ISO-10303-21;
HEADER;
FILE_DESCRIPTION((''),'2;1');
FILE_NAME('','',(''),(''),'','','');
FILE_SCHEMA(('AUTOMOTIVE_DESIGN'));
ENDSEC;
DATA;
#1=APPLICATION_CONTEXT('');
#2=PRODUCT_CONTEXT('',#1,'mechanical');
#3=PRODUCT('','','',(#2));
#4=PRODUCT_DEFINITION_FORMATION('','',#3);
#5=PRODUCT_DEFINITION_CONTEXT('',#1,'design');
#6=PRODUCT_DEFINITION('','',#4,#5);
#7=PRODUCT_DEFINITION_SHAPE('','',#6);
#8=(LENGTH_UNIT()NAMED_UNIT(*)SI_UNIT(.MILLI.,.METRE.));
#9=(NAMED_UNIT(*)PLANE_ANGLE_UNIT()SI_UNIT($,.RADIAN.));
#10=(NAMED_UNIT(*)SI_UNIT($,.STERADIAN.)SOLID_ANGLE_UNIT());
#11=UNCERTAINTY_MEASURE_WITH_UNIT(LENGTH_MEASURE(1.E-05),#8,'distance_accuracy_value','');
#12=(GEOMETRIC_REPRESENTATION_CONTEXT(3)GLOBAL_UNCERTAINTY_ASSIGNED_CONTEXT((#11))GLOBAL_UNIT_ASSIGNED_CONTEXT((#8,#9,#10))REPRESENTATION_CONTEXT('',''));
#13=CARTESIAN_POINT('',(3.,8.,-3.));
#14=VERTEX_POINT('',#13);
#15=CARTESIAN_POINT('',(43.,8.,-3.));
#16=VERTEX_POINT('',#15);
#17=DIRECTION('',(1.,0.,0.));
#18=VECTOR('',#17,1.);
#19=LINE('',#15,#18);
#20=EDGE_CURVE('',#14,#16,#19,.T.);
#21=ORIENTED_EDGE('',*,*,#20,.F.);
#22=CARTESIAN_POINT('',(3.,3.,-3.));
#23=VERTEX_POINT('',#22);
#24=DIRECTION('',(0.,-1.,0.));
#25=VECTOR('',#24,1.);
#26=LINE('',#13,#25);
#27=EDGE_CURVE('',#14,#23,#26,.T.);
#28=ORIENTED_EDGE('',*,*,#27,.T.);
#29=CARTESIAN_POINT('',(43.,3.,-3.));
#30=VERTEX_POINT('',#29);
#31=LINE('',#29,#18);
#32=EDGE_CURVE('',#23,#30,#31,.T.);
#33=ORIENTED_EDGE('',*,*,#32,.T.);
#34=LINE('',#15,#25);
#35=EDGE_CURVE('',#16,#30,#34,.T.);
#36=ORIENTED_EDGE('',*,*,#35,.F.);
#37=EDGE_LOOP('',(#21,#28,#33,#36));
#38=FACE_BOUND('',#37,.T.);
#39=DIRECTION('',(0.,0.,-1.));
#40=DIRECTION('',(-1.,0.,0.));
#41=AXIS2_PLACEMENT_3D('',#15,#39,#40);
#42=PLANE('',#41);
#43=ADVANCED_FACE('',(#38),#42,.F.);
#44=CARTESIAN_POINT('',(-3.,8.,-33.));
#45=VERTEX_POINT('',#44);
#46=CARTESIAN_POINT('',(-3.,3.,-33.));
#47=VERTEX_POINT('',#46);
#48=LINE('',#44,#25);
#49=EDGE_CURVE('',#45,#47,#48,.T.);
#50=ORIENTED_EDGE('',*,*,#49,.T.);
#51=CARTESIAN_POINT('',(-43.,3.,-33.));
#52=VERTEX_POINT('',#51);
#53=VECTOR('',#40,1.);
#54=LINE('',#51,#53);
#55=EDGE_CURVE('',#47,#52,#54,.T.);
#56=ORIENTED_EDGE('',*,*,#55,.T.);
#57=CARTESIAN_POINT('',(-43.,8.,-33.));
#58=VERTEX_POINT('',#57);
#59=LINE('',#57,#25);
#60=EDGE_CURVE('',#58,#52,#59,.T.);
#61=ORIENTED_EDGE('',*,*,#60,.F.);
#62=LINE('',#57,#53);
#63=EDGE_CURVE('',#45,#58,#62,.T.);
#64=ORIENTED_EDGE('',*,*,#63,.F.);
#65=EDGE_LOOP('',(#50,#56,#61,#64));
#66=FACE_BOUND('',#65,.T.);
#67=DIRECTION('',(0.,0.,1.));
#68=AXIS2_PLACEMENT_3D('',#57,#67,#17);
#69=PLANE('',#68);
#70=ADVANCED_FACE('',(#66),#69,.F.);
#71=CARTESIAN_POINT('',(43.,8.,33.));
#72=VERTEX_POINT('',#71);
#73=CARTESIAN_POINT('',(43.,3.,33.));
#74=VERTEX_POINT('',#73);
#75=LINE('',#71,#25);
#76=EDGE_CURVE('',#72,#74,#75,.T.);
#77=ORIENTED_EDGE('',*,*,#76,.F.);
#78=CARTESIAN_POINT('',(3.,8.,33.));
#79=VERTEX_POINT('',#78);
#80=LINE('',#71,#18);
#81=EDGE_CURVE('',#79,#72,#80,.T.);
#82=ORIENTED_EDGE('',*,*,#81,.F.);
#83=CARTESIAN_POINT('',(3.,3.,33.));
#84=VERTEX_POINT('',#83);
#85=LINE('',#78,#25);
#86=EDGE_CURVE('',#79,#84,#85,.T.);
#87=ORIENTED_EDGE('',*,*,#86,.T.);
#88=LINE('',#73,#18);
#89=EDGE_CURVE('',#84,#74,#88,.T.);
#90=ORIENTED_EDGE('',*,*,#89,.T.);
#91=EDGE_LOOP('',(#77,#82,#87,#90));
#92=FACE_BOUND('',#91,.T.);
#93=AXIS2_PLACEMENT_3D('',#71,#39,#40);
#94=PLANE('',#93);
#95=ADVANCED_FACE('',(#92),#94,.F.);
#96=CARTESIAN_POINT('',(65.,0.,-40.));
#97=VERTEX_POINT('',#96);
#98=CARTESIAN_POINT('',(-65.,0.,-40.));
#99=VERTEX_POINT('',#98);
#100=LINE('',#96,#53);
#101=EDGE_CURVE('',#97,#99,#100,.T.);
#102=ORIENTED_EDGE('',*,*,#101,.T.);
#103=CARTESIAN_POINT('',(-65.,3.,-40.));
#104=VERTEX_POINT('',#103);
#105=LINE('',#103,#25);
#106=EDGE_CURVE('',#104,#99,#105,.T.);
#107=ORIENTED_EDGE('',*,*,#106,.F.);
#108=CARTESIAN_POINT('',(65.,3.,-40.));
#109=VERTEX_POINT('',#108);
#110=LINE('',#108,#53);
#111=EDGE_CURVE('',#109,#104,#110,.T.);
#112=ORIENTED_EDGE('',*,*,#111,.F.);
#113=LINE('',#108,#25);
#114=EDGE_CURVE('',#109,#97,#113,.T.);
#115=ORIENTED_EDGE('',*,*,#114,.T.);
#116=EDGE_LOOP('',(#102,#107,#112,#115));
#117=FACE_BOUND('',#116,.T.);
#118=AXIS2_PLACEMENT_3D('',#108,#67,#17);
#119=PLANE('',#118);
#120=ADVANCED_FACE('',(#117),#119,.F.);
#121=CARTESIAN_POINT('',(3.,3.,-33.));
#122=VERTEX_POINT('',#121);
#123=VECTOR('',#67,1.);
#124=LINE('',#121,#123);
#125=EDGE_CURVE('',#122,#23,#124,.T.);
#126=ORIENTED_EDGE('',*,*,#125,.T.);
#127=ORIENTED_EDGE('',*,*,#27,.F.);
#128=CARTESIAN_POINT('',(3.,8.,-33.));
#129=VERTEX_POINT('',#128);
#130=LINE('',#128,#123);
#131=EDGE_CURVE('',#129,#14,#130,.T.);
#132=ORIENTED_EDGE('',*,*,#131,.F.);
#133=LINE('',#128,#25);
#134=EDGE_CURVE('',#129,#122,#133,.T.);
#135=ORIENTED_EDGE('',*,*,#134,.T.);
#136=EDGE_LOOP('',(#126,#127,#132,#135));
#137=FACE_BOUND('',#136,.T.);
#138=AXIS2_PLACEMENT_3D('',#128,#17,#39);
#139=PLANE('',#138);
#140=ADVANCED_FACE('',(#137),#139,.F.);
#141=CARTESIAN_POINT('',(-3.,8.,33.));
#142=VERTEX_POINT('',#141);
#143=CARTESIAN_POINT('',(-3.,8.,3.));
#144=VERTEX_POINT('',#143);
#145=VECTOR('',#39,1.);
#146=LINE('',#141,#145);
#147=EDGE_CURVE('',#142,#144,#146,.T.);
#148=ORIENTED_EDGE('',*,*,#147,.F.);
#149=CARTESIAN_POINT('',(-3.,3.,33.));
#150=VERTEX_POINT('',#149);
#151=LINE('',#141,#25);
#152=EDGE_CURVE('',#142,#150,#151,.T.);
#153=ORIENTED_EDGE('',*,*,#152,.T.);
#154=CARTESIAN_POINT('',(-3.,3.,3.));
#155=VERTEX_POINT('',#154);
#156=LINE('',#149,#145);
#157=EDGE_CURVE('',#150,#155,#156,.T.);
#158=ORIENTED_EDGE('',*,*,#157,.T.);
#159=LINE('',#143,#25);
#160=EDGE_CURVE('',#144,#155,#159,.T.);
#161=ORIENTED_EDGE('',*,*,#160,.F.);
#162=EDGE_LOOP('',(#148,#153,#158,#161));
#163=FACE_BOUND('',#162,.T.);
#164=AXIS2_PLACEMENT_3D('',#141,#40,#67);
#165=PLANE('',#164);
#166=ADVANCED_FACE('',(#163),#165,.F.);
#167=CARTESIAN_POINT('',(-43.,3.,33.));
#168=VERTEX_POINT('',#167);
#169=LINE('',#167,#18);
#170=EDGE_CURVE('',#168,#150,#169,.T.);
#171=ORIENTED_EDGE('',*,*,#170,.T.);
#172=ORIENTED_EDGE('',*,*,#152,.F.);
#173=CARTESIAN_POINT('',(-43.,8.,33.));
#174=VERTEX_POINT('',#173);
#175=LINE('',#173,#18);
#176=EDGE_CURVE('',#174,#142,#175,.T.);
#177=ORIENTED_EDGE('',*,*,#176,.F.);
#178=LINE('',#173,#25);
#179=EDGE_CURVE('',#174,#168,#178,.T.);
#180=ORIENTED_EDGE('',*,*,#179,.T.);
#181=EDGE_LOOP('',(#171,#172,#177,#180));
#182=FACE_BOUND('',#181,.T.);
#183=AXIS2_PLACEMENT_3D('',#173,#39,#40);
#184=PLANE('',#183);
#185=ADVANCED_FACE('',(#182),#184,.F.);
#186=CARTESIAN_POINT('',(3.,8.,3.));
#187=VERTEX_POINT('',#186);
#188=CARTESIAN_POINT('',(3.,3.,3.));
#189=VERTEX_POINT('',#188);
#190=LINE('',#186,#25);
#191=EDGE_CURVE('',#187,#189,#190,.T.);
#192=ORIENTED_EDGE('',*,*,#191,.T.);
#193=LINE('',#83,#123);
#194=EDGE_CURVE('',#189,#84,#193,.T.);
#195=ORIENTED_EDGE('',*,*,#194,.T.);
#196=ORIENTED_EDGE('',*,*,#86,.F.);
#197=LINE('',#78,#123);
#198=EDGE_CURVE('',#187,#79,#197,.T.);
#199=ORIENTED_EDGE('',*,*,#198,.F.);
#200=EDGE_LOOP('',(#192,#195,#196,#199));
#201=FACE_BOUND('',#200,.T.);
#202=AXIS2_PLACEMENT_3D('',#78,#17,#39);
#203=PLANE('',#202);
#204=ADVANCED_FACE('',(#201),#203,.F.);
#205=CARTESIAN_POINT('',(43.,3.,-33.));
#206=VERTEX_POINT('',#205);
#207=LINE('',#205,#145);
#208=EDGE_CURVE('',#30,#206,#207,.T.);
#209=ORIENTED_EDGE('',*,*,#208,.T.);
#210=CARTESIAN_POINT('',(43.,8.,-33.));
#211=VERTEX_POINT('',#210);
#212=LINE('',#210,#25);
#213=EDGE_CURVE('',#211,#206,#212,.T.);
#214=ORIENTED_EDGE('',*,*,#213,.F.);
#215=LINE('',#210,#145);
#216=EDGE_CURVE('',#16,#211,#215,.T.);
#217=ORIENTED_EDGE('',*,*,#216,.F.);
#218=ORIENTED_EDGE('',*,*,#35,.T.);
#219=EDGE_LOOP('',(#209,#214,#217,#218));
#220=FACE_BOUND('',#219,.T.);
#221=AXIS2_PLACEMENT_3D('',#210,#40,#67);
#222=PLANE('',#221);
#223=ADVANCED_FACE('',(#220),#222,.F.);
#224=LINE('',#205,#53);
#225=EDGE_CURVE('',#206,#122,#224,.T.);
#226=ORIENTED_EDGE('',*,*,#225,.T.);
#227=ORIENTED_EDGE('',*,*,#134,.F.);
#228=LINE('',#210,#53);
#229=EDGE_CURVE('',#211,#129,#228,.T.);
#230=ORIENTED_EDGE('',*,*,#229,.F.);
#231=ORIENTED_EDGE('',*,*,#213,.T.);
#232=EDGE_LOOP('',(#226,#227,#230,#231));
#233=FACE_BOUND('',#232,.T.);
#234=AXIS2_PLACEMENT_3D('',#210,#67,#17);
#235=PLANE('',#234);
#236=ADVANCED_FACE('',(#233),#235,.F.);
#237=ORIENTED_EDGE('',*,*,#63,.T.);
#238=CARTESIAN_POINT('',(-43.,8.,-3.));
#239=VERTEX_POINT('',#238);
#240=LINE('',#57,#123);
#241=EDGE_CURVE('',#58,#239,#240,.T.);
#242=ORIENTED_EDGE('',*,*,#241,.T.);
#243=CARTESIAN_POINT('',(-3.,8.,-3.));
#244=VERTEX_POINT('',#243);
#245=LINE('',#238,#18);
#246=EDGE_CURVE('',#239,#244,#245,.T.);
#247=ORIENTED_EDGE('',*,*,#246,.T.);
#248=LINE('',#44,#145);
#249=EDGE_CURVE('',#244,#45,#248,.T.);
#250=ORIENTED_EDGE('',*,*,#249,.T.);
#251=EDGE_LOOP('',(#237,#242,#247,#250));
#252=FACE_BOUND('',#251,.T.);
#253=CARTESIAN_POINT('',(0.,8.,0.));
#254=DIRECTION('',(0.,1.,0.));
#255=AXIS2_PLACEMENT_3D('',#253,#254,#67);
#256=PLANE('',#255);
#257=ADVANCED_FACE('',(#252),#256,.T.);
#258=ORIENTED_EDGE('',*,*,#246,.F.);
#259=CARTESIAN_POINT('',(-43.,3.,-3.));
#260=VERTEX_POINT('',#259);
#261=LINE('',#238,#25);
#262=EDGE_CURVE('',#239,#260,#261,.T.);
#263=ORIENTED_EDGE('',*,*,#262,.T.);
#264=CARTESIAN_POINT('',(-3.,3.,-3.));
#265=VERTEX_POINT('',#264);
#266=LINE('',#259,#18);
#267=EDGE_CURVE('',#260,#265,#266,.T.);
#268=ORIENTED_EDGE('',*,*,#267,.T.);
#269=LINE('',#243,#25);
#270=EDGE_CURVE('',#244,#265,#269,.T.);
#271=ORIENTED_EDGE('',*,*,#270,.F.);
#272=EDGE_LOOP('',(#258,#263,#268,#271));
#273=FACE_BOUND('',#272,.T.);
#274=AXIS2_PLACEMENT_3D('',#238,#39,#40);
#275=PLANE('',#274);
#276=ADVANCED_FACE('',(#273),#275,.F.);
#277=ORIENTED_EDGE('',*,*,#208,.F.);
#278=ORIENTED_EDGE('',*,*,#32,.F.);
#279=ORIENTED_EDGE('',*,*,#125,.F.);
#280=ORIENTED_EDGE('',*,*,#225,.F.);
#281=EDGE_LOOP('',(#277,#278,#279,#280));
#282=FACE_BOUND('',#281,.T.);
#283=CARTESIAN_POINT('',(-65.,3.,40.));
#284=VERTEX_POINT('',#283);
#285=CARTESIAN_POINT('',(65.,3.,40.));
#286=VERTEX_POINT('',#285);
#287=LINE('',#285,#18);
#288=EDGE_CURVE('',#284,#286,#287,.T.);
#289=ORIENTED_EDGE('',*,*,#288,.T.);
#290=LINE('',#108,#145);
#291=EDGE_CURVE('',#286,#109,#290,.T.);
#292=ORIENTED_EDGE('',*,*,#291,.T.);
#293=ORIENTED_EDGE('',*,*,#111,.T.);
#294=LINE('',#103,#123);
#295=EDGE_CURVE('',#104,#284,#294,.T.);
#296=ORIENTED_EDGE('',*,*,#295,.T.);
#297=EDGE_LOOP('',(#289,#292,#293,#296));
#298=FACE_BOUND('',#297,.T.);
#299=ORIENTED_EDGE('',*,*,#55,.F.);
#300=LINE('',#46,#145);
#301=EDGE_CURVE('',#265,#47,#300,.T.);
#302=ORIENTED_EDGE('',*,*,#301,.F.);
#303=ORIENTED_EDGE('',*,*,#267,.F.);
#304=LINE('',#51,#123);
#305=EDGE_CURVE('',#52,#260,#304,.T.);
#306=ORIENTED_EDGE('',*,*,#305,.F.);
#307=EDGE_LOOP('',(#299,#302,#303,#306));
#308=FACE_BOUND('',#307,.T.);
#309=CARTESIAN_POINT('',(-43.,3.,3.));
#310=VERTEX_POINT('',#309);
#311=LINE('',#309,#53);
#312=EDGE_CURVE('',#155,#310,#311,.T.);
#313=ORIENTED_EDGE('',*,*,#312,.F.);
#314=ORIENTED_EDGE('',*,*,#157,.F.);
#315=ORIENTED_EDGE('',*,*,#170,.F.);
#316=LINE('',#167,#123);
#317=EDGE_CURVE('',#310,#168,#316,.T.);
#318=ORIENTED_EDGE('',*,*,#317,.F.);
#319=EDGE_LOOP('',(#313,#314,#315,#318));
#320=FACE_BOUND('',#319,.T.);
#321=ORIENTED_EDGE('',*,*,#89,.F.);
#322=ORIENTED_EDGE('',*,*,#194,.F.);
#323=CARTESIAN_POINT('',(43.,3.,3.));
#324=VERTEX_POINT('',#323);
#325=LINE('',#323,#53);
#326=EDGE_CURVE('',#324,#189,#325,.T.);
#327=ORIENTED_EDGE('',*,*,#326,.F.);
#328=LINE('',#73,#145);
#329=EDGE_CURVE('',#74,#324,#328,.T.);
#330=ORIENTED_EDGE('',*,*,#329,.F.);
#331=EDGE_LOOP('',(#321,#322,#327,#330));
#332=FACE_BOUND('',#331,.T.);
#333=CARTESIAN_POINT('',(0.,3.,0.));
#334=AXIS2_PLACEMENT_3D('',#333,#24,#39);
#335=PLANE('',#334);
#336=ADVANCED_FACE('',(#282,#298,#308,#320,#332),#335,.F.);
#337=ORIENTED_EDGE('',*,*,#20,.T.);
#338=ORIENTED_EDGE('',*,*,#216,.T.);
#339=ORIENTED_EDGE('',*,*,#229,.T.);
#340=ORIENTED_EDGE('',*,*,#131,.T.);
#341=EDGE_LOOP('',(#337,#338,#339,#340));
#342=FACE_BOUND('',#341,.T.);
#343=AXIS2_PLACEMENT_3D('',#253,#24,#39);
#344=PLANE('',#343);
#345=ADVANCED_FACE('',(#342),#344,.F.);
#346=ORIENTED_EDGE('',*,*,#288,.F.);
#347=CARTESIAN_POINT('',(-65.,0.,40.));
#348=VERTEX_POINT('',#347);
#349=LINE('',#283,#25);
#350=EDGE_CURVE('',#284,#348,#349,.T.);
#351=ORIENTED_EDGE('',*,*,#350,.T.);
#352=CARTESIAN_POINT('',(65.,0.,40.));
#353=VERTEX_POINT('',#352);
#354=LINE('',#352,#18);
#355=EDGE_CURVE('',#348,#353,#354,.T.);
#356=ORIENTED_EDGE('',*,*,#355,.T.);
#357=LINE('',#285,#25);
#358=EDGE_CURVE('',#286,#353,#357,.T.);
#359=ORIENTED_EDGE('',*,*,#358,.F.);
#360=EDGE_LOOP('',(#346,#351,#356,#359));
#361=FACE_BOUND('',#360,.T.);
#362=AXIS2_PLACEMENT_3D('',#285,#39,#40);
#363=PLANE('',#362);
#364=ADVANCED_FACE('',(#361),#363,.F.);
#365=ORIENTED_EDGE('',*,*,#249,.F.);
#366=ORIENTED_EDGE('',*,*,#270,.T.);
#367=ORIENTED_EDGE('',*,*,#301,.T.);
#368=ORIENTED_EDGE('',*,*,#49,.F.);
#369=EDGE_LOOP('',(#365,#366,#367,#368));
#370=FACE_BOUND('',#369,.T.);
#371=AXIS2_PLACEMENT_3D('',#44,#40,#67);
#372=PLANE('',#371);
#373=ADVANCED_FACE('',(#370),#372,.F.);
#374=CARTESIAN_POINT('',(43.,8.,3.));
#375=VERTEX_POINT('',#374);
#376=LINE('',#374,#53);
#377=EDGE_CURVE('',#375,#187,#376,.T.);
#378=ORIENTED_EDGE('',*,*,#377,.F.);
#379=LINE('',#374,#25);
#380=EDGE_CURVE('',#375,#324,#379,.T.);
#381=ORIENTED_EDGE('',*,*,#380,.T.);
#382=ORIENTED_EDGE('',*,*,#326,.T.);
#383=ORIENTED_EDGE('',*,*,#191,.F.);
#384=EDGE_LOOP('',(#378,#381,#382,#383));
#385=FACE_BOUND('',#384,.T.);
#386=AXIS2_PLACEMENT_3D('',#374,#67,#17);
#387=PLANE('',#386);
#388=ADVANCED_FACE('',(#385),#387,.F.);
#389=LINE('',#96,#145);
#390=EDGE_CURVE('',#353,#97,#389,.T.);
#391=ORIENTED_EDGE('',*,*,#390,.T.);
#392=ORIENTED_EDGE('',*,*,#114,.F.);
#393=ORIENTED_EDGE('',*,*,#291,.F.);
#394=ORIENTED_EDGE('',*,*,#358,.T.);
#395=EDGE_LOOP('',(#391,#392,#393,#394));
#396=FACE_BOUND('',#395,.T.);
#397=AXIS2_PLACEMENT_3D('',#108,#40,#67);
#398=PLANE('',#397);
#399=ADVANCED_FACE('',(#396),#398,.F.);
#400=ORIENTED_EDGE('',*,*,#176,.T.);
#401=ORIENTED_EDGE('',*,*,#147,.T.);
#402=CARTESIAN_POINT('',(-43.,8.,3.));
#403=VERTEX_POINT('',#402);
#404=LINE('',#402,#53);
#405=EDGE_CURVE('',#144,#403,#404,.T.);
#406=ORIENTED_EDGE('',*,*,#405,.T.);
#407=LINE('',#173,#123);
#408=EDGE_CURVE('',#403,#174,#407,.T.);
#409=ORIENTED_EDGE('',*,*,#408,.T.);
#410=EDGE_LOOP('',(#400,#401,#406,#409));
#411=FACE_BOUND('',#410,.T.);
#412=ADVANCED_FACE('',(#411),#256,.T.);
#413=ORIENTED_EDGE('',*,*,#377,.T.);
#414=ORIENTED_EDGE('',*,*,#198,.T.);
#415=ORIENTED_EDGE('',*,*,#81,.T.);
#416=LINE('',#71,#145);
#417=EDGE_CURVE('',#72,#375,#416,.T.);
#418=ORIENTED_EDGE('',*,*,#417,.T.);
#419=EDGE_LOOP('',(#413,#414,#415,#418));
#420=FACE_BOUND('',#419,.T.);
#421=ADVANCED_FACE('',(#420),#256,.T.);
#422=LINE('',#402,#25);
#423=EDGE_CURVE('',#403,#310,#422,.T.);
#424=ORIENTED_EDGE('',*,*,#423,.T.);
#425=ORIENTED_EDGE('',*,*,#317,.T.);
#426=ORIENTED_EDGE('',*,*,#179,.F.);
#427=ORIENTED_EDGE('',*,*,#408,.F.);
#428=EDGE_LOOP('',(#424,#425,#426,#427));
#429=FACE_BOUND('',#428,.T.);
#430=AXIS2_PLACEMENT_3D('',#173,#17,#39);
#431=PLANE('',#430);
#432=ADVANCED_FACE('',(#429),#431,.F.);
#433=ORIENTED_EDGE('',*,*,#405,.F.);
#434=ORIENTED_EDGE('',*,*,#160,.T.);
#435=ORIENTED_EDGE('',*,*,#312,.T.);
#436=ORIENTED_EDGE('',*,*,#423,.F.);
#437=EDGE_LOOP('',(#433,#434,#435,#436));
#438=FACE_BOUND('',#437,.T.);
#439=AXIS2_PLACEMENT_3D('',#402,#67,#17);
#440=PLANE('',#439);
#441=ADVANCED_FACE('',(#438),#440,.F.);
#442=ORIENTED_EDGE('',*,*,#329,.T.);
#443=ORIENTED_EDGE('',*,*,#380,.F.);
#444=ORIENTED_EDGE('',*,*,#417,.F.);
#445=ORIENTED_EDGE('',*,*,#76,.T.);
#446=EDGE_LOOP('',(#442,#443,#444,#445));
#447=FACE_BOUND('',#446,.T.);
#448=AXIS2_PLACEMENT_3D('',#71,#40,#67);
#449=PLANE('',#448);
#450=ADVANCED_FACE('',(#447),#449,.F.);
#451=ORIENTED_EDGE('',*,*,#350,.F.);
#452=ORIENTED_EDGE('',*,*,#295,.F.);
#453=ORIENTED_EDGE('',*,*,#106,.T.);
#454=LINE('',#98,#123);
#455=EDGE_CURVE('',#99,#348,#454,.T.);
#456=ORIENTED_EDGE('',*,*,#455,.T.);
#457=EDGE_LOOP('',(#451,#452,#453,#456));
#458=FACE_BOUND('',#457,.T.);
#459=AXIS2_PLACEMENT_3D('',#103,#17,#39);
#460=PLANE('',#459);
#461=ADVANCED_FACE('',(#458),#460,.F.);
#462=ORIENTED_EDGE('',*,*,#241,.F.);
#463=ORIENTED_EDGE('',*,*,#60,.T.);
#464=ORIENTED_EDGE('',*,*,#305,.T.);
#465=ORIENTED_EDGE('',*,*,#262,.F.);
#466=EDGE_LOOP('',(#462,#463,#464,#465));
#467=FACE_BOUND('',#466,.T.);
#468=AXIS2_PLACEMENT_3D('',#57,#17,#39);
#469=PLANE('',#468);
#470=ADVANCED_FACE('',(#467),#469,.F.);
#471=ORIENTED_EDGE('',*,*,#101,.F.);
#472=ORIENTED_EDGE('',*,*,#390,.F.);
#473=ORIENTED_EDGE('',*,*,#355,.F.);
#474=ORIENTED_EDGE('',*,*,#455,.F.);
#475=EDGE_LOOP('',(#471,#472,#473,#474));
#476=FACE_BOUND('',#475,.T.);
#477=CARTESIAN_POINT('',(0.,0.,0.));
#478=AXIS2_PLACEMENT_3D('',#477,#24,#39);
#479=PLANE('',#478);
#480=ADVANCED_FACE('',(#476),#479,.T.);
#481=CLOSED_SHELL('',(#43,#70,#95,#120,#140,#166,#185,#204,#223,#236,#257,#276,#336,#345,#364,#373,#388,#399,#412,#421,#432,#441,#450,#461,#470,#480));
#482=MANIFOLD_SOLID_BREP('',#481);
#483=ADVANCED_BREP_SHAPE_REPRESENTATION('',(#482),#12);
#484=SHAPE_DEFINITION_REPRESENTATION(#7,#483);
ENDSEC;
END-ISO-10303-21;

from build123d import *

# Parameters (mm, degrees)
SKETCH1_W           = 130
SKETCH1_H           = 80
BOSS_EXTRUDE1_DEPTH = 3
SKETCH2_W           = 40
SKETCH2_H           = 30
BOSS_EXTRUDE2_DEPTH = 5


with BuildPart() as part:
    # Sketch1 → Boss-Extrude1 (new body)
    with BuildSketch(Plane(origin=(0, 0, 0), x_dir=(1, 0, 0), z_dir=(0, 1, 0))):
        Rectangle(SKETCH1_W, SKETCH1_H)
    extrude(amount=BOSS_EXTRUDE1_DEPTH)

    # Sketch2 → Boss-Extrude2 (add)
    with BuildSketch(Plane(origin=(0, 3, 0), x_dir=(1, 0, 0), z_dir=(0, 1, 0))):
        with Locations((-23, 18)):
            Rectangle(SKETCH2_W, SKETCH2_H)
        with Locations((23, 18)):
            Rectangle(SKETCH2_W, SKETCH2_H)
        with Locations((23, -18)):
            Rectangle(SKETCH2_W, SKETCH2_H)
        with Locations((-23, -18)):
            Rectangle(SKETCH2_W, SKETCH2_H)
    extrude(amount=BOSS_EXTRUDE2_DEPTH)


solid = part.part
